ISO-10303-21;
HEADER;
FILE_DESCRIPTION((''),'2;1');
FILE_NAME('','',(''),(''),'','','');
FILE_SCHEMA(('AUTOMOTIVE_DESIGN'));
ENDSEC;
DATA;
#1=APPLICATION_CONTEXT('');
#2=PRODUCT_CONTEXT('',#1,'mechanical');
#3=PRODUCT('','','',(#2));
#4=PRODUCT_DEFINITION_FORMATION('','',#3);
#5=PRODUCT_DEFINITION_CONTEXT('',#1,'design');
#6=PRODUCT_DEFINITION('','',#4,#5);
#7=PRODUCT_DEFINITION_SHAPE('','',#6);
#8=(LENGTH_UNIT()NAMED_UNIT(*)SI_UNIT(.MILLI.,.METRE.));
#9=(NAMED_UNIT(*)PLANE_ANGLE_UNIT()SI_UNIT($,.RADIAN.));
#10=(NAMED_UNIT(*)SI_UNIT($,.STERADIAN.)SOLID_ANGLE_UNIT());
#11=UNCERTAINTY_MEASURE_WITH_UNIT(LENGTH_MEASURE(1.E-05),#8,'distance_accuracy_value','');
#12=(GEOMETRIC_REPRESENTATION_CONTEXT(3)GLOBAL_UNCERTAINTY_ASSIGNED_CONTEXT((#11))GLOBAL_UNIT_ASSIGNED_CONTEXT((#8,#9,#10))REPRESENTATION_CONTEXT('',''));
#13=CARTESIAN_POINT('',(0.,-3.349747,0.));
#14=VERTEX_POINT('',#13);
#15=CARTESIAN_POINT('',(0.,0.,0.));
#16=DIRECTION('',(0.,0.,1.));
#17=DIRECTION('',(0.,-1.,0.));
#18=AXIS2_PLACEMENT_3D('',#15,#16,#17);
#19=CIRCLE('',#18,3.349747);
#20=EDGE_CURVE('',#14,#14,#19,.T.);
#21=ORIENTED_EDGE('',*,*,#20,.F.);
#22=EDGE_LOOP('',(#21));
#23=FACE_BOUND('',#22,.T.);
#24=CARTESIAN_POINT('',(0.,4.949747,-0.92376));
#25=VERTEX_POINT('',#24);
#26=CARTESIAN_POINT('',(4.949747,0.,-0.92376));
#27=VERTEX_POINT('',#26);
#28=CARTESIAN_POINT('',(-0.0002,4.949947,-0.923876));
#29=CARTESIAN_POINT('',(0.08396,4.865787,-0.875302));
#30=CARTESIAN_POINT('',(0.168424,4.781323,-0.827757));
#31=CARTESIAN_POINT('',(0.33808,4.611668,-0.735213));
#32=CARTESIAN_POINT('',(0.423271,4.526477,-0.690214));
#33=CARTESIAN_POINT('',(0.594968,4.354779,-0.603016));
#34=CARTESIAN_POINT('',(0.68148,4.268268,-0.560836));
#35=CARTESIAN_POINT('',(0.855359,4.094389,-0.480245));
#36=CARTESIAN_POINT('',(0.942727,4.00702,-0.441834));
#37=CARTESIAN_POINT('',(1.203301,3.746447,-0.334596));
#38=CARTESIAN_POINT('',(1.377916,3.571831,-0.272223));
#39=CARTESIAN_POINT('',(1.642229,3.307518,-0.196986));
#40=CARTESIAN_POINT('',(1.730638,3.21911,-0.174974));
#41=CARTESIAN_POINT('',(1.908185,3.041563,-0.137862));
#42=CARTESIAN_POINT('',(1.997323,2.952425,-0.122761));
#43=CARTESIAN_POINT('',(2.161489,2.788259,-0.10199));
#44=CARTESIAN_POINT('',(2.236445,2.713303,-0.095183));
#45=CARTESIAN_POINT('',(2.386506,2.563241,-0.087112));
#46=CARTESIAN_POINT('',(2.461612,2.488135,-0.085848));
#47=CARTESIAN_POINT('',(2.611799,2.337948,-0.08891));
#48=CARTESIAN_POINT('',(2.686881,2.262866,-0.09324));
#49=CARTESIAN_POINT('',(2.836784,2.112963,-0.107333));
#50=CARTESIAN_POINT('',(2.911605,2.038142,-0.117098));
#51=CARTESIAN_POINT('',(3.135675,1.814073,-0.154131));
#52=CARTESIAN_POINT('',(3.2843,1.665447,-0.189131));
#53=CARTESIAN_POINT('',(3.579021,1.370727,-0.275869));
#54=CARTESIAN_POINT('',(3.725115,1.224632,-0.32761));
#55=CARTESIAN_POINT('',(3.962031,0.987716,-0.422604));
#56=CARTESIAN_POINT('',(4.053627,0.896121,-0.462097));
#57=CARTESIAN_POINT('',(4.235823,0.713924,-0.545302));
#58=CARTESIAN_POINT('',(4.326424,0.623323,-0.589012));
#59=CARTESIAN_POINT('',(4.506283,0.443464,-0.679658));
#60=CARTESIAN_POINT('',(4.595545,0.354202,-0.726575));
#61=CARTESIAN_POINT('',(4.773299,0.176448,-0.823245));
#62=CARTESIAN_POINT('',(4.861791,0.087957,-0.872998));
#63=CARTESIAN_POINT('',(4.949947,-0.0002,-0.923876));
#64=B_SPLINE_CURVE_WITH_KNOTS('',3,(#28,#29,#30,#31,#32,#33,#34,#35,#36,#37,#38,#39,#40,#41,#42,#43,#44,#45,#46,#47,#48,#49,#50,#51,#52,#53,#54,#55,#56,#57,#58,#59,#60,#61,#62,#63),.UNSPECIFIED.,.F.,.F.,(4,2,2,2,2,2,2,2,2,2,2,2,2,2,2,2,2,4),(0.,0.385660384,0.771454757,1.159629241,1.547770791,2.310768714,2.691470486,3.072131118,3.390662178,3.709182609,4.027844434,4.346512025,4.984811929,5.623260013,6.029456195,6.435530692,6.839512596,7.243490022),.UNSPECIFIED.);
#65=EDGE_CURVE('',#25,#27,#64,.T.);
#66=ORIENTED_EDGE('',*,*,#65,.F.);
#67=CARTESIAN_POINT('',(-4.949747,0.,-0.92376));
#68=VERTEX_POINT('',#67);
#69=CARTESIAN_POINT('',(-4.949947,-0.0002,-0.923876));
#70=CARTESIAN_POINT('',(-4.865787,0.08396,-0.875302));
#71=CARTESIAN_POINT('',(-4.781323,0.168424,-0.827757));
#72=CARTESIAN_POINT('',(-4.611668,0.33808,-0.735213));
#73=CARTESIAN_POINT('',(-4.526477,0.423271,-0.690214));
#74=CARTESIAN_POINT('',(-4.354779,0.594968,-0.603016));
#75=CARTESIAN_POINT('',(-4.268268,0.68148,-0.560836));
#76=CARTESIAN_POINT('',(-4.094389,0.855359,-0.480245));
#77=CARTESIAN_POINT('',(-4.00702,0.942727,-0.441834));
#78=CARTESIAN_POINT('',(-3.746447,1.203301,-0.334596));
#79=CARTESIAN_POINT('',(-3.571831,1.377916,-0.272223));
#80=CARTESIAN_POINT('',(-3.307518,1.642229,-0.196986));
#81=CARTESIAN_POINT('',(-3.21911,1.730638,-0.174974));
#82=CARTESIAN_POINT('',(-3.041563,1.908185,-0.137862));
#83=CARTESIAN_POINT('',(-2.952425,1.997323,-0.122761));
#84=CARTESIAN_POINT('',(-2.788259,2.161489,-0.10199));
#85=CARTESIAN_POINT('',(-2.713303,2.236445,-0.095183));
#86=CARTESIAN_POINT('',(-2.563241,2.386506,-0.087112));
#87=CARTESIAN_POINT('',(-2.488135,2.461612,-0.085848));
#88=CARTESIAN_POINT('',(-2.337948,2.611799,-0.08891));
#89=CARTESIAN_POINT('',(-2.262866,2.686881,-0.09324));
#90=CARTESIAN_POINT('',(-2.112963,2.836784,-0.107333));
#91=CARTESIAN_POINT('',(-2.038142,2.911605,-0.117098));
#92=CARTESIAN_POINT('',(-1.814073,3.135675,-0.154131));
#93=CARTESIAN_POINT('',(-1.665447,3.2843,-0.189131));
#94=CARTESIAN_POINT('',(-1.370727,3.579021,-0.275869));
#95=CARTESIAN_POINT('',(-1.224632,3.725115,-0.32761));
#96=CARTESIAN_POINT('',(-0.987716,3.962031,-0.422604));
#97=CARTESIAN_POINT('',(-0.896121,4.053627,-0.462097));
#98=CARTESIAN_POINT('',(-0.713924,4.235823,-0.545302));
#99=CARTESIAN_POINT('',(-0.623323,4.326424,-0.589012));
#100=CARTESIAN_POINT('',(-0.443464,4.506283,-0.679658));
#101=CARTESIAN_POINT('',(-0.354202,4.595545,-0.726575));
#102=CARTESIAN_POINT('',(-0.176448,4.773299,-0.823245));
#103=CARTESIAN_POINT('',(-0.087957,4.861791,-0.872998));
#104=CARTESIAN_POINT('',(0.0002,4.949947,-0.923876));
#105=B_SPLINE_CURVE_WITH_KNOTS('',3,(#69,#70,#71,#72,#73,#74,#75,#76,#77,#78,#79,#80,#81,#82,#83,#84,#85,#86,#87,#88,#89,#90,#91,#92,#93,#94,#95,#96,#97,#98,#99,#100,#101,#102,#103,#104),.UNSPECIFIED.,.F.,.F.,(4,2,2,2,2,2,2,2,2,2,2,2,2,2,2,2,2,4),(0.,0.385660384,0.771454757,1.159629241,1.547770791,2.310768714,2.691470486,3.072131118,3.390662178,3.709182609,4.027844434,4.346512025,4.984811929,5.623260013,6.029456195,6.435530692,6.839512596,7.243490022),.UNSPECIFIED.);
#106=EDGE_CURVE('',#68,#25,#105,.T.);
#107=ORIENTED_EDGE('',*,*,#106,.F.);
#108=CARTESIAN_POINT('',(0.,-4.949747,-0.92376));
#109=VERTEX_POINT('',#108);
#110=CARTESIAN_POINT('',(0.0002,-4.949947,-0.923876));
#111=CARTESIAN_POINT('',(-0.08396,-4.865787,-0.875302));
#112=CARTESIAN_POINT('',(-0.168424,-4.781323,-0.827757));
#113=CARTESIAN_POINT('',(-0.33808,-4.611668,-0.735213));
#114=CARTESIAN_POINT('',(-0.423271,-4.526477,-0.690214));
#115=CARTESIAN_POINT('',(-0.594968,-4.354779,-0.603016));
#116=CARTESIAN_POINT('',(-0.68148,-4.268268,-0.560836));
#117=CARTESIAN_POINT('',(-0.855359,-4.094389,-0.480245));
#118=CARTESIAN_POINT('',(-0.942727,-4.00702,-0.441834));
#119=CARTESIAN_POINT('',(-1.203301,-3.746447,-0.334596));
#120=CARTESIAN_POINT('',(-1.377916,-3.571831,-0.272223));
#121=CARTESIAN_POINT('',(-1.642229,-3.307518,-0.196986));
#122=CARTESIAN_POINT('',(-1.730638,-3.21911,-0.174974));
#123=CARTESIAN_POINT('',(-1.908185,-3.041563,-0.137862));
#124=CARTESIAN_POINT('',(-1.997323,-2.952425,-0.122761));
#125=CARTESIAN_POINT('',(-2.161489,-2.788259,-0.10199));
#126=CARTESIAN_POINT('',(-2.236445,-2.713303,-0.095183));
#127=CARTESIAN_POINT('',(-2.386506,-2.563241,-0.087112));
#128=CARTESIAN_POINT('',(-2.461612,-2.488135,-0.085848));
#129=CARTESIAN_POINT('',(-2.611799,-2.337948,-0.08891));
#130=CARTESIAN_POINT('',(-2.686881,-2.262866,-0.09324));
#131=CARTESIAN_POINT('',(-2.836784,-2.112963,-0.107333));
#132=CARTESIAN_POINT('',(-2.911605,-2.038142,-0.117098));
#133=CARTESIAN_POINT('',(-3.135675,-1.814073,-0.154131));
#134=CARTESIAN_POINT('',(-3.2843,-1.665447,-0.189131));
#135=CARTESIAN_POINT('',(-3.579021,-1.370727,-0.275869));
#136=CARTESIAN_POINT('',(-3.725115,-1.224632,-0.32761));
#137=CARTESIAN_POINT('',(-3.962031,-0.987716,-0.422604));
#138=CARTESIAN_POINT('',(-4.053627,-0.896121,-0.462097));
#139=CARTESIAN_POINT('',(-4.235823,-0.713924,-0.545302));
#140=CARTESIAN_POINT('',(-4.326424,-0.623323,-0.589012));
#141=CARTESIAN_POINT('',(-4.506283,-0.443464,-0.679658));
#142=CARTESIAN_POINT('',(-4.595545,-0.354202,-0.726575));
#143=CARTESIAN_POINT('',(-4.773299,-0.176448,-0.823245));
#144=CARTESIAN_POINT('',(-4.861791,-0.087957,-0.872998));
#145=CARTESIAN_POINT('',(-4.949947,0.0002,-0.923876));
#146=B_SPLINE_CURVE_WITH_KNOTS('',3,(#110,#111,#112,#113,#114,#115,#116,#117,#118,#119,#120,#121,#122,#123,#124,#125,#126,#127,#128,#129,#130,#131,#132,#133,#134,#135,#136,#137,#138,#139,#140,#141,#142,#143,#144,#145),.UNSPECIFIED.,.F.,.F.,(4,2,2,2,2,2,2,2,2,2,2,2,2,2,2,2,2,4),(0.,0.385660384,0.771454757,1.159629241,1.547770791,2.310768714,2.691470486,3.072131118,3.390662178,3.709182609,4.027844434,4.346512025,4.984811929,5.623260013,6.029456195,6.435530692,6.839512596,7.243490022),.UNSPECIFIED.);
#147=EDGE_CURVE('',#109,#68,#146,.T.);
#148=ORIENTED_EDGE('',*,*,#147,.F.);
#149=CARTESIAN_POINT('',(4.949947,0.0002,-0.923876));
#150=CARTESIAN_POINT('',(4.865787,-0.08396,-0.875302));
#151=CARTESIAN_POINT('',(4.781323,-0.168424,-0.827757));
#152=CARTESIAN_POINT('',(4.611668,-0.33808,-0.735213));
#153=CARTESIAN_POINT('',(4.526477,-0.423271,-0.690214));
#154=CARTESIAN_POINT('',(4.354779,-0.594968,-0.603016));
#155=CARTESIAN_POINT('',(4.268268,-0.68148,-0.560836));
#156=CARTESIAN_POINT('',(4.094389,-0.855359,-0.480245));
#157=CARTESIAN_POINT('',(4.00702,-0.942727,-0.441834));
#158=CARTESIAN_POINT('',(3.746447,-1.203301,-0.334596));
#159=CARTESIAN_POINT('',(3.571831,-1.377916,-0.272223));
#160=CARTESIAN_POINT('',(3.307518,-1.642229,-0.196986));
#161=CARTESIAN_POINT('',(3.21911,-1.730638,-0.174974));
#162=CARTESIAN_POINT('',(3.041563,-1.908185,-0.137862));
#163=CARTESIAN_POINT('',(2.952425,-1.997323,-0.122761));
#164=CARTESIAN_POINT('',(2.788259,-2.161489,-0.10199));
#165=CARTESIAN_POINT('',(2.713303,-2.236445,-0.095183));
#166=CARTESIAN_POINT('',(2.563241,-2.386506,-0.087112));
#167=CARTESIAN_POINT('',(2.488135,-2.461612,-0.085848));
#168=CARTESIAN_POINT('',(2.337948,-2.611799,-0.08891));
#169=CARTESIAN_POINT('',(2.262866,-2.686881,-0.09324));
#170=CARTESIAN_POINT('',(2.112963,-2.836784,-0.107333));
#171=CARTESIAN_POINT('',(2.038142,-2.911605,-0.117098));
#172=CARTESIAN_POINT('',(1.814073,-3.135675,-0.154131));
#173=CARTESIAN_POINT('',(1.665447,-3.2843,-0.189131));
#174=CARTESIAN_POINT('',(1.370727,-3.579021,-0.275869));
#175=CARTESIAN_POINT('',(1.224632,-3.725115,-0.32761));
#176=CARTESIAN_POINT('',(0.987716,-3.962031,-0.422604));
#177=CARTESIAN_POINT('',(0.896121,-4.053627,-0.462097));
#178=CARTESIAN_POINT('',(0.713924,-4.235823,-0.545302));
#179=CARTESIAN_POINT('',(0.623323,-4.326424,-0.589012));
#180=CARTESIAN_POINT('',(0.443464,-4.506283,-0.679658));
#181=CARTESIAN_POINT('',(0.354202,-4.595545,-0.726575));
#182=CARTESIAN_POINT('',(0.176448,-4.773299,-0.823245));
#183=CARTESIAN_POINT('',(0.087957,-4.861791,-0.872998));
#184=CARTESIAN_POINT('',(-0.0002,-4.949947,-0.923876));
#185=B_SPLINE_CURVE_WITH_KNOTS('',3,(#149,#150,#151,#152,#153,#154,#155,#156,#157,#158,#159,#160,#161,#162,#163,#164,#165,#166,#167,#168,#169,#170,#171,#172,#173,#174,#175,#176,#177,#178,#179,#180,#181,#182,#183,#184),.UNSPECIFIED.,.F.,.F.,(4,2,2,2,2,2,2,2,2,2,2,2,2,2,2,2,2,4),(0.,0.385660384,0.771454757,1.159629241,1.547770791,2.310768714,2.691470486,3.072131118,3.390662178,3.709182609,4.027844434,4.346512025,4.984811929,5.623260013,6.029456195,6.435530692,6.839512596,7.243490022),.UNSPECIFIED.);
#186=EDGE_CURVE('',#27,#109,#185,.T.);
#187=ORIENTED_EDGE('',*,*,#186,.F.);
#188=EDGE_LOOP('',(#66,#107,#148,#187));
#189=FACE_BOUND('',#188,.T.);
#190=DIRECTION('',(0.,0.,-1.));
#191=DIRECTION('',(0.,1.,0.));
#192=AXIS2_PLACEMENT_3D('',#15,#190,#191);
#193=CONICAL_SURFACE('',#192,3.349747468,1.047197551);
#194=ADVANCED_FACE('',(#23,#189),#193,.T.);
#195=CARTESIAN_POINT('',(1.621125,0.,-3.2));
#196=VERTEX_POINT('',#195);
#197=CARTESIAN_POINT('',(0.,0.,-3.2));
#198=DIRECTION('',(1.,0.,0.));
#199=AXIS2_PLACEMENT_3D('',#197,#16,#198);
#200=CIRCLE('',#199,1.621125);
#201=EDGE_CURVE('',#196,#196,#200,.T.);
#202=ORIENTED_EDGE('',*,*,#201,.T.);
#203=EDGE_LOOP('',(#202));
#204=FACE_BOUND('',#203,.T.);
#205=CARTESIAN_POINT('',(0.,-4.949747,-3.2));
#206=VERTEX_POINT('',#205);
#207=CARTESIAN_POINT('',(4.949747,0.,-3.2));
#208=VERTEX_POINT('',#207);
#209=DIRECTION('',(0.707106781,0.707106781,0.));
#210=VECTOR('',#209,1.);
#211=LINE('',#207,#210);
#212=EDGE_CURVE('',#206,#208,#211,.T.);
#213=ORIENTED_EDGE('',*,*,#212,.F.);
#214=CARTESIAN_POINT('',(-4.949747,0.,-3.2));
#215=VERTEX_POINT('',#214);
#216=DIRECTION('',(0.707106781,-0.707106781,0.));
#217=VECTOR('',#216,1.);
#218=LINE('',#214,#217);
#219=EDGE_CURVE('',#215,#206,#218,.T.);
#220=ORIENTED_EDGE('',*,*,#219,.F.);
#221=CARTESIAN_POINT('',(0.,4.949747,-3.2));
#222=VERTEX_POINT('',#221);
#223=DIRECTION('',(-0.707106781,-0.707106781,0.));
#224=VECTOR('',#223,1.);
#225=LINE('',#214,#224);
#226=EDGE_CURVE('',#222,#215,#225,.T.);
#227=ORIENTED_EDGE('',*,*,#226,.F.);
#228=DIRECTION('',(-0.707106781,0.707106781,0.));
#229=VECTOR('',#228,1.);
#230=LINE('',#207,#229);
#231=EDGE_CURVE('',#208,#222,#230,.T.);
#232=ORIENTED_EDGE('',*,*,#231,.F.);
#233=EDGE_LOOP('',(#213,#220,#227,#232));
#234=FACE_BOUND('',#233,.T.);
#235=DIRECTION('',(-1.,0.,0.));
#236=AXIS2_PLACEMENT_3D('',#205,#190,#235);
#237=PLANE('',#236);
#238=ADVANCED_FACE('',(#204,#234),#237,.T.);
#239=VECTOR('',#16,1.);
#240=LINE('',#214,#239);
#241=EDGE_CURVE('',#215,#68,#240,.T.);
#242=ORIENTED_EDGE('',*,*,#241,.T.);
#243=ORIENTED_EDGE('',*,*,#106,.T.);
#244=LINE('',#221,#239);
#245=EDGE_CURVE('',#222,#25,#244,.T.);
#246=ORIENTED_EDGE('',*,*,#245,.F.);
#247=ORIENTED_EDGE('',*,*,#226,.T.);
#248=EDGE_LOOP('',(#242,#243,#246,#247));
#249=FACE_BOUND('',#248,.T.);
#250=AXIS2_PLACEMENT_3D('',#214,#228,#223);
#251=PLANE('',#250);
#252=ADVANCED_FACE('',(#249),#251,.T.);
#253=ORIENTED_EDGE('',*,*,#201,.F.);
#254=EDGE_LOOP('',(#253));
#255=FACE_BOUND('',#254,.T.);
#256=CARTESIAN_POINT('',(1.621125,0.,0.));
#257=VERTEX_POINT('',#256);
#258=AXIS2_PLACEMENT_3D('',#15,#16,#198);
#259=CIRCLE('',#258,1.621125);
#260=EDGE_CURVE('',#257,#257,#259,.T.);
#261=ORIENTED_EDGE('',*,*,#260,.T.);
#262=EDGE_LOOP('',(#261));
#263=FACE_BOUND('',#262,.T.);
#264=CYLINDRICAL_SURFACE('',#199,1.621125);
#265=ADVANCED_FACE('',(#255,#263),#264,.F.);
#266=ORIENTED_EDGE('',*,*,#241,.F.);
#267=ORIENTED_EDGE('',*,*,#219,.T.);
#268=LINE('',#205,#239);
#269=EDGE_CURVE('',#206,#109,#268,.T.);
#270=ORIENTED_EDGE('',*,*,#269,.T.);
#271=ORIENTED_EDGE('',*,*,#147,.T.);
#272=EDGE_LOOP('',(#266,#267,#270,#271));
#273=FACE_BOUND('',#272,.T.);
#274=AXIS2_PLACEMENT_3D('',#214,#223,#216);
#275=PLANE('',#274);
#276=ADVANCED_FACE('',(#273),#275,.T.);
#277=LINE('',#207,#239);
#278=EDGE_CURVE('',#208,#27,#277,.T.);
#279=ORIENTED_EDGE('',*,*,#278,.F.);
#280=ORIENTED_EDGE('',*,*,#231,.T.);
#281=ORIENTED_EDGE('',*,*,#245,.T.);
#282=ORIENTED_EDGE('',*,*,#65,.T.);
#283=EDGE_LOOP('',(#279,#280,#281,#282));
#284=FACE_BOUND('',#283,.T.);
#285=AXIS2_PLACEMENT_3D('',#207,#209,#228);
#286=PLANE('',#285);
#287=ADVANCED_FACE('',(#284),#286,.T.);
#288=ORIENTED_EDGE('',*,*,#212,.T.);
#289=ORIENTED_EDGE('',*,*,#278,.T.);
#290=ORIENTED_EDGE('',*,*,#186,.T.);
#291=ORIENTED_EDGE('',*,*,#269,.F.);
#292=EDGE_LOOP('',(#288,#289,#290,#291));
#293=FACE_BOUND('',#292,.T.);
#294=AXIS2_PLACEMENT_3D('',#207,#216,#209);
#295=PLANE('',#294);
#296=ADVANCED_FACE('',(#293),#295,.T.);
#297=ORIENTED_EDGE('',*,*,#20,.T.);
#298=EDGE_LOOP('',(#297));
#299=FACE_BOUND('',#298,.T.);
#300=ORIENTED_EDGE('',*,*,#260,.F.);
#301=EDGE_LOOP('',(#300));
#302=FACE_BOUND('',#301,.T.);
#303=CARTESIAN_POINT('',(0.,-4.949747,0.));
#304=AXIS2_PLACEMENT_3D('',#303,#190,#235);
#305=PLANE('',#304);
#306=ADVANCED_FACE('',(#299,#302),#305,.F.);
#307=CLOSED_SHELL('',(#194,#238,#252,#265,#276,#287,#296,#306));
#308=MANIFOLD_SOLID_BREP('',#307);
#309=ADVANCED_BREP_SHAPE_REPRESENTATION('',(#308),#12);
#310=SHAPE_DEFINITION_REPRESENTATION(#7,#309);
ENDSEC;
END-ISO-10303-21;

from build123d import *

# Parameters (mm, degrees)
SKETCH_7_R      = 1.621125
EXTRUDE_1_DEPTH = 3.2


with BuildPart() as part:
    # 草图7 → 凸台-拉伸1 (new body)
    with BuildSketch(Plane.XY):
        Polygon((-4.949747468, 0), (0, 4.949747468), (4.949747468, 0), (0, -4.949747468), align=None)
        Circle(SKETCH_7_R, mode=Mode.SUBTRACT)
    extrude(amount=-EXTRUDE_1_DEPTH)

    # 草图8 → 切除-旋转1 (revolve, cut)
    with BuildSketch(Plane(origin=(0, 0, 0), x_dir=(0, 0, -1), z_dir=(1, 0, 0))):
        Polygon((0.923760431, 4.949747468), (0, 3.349747468), (0, 4.949747468), align=None)
    revolve(axis=Axis((0, 0, 0), (0, 0, -1)), mode=Mode.SUBTRACT)


solid = part.part
